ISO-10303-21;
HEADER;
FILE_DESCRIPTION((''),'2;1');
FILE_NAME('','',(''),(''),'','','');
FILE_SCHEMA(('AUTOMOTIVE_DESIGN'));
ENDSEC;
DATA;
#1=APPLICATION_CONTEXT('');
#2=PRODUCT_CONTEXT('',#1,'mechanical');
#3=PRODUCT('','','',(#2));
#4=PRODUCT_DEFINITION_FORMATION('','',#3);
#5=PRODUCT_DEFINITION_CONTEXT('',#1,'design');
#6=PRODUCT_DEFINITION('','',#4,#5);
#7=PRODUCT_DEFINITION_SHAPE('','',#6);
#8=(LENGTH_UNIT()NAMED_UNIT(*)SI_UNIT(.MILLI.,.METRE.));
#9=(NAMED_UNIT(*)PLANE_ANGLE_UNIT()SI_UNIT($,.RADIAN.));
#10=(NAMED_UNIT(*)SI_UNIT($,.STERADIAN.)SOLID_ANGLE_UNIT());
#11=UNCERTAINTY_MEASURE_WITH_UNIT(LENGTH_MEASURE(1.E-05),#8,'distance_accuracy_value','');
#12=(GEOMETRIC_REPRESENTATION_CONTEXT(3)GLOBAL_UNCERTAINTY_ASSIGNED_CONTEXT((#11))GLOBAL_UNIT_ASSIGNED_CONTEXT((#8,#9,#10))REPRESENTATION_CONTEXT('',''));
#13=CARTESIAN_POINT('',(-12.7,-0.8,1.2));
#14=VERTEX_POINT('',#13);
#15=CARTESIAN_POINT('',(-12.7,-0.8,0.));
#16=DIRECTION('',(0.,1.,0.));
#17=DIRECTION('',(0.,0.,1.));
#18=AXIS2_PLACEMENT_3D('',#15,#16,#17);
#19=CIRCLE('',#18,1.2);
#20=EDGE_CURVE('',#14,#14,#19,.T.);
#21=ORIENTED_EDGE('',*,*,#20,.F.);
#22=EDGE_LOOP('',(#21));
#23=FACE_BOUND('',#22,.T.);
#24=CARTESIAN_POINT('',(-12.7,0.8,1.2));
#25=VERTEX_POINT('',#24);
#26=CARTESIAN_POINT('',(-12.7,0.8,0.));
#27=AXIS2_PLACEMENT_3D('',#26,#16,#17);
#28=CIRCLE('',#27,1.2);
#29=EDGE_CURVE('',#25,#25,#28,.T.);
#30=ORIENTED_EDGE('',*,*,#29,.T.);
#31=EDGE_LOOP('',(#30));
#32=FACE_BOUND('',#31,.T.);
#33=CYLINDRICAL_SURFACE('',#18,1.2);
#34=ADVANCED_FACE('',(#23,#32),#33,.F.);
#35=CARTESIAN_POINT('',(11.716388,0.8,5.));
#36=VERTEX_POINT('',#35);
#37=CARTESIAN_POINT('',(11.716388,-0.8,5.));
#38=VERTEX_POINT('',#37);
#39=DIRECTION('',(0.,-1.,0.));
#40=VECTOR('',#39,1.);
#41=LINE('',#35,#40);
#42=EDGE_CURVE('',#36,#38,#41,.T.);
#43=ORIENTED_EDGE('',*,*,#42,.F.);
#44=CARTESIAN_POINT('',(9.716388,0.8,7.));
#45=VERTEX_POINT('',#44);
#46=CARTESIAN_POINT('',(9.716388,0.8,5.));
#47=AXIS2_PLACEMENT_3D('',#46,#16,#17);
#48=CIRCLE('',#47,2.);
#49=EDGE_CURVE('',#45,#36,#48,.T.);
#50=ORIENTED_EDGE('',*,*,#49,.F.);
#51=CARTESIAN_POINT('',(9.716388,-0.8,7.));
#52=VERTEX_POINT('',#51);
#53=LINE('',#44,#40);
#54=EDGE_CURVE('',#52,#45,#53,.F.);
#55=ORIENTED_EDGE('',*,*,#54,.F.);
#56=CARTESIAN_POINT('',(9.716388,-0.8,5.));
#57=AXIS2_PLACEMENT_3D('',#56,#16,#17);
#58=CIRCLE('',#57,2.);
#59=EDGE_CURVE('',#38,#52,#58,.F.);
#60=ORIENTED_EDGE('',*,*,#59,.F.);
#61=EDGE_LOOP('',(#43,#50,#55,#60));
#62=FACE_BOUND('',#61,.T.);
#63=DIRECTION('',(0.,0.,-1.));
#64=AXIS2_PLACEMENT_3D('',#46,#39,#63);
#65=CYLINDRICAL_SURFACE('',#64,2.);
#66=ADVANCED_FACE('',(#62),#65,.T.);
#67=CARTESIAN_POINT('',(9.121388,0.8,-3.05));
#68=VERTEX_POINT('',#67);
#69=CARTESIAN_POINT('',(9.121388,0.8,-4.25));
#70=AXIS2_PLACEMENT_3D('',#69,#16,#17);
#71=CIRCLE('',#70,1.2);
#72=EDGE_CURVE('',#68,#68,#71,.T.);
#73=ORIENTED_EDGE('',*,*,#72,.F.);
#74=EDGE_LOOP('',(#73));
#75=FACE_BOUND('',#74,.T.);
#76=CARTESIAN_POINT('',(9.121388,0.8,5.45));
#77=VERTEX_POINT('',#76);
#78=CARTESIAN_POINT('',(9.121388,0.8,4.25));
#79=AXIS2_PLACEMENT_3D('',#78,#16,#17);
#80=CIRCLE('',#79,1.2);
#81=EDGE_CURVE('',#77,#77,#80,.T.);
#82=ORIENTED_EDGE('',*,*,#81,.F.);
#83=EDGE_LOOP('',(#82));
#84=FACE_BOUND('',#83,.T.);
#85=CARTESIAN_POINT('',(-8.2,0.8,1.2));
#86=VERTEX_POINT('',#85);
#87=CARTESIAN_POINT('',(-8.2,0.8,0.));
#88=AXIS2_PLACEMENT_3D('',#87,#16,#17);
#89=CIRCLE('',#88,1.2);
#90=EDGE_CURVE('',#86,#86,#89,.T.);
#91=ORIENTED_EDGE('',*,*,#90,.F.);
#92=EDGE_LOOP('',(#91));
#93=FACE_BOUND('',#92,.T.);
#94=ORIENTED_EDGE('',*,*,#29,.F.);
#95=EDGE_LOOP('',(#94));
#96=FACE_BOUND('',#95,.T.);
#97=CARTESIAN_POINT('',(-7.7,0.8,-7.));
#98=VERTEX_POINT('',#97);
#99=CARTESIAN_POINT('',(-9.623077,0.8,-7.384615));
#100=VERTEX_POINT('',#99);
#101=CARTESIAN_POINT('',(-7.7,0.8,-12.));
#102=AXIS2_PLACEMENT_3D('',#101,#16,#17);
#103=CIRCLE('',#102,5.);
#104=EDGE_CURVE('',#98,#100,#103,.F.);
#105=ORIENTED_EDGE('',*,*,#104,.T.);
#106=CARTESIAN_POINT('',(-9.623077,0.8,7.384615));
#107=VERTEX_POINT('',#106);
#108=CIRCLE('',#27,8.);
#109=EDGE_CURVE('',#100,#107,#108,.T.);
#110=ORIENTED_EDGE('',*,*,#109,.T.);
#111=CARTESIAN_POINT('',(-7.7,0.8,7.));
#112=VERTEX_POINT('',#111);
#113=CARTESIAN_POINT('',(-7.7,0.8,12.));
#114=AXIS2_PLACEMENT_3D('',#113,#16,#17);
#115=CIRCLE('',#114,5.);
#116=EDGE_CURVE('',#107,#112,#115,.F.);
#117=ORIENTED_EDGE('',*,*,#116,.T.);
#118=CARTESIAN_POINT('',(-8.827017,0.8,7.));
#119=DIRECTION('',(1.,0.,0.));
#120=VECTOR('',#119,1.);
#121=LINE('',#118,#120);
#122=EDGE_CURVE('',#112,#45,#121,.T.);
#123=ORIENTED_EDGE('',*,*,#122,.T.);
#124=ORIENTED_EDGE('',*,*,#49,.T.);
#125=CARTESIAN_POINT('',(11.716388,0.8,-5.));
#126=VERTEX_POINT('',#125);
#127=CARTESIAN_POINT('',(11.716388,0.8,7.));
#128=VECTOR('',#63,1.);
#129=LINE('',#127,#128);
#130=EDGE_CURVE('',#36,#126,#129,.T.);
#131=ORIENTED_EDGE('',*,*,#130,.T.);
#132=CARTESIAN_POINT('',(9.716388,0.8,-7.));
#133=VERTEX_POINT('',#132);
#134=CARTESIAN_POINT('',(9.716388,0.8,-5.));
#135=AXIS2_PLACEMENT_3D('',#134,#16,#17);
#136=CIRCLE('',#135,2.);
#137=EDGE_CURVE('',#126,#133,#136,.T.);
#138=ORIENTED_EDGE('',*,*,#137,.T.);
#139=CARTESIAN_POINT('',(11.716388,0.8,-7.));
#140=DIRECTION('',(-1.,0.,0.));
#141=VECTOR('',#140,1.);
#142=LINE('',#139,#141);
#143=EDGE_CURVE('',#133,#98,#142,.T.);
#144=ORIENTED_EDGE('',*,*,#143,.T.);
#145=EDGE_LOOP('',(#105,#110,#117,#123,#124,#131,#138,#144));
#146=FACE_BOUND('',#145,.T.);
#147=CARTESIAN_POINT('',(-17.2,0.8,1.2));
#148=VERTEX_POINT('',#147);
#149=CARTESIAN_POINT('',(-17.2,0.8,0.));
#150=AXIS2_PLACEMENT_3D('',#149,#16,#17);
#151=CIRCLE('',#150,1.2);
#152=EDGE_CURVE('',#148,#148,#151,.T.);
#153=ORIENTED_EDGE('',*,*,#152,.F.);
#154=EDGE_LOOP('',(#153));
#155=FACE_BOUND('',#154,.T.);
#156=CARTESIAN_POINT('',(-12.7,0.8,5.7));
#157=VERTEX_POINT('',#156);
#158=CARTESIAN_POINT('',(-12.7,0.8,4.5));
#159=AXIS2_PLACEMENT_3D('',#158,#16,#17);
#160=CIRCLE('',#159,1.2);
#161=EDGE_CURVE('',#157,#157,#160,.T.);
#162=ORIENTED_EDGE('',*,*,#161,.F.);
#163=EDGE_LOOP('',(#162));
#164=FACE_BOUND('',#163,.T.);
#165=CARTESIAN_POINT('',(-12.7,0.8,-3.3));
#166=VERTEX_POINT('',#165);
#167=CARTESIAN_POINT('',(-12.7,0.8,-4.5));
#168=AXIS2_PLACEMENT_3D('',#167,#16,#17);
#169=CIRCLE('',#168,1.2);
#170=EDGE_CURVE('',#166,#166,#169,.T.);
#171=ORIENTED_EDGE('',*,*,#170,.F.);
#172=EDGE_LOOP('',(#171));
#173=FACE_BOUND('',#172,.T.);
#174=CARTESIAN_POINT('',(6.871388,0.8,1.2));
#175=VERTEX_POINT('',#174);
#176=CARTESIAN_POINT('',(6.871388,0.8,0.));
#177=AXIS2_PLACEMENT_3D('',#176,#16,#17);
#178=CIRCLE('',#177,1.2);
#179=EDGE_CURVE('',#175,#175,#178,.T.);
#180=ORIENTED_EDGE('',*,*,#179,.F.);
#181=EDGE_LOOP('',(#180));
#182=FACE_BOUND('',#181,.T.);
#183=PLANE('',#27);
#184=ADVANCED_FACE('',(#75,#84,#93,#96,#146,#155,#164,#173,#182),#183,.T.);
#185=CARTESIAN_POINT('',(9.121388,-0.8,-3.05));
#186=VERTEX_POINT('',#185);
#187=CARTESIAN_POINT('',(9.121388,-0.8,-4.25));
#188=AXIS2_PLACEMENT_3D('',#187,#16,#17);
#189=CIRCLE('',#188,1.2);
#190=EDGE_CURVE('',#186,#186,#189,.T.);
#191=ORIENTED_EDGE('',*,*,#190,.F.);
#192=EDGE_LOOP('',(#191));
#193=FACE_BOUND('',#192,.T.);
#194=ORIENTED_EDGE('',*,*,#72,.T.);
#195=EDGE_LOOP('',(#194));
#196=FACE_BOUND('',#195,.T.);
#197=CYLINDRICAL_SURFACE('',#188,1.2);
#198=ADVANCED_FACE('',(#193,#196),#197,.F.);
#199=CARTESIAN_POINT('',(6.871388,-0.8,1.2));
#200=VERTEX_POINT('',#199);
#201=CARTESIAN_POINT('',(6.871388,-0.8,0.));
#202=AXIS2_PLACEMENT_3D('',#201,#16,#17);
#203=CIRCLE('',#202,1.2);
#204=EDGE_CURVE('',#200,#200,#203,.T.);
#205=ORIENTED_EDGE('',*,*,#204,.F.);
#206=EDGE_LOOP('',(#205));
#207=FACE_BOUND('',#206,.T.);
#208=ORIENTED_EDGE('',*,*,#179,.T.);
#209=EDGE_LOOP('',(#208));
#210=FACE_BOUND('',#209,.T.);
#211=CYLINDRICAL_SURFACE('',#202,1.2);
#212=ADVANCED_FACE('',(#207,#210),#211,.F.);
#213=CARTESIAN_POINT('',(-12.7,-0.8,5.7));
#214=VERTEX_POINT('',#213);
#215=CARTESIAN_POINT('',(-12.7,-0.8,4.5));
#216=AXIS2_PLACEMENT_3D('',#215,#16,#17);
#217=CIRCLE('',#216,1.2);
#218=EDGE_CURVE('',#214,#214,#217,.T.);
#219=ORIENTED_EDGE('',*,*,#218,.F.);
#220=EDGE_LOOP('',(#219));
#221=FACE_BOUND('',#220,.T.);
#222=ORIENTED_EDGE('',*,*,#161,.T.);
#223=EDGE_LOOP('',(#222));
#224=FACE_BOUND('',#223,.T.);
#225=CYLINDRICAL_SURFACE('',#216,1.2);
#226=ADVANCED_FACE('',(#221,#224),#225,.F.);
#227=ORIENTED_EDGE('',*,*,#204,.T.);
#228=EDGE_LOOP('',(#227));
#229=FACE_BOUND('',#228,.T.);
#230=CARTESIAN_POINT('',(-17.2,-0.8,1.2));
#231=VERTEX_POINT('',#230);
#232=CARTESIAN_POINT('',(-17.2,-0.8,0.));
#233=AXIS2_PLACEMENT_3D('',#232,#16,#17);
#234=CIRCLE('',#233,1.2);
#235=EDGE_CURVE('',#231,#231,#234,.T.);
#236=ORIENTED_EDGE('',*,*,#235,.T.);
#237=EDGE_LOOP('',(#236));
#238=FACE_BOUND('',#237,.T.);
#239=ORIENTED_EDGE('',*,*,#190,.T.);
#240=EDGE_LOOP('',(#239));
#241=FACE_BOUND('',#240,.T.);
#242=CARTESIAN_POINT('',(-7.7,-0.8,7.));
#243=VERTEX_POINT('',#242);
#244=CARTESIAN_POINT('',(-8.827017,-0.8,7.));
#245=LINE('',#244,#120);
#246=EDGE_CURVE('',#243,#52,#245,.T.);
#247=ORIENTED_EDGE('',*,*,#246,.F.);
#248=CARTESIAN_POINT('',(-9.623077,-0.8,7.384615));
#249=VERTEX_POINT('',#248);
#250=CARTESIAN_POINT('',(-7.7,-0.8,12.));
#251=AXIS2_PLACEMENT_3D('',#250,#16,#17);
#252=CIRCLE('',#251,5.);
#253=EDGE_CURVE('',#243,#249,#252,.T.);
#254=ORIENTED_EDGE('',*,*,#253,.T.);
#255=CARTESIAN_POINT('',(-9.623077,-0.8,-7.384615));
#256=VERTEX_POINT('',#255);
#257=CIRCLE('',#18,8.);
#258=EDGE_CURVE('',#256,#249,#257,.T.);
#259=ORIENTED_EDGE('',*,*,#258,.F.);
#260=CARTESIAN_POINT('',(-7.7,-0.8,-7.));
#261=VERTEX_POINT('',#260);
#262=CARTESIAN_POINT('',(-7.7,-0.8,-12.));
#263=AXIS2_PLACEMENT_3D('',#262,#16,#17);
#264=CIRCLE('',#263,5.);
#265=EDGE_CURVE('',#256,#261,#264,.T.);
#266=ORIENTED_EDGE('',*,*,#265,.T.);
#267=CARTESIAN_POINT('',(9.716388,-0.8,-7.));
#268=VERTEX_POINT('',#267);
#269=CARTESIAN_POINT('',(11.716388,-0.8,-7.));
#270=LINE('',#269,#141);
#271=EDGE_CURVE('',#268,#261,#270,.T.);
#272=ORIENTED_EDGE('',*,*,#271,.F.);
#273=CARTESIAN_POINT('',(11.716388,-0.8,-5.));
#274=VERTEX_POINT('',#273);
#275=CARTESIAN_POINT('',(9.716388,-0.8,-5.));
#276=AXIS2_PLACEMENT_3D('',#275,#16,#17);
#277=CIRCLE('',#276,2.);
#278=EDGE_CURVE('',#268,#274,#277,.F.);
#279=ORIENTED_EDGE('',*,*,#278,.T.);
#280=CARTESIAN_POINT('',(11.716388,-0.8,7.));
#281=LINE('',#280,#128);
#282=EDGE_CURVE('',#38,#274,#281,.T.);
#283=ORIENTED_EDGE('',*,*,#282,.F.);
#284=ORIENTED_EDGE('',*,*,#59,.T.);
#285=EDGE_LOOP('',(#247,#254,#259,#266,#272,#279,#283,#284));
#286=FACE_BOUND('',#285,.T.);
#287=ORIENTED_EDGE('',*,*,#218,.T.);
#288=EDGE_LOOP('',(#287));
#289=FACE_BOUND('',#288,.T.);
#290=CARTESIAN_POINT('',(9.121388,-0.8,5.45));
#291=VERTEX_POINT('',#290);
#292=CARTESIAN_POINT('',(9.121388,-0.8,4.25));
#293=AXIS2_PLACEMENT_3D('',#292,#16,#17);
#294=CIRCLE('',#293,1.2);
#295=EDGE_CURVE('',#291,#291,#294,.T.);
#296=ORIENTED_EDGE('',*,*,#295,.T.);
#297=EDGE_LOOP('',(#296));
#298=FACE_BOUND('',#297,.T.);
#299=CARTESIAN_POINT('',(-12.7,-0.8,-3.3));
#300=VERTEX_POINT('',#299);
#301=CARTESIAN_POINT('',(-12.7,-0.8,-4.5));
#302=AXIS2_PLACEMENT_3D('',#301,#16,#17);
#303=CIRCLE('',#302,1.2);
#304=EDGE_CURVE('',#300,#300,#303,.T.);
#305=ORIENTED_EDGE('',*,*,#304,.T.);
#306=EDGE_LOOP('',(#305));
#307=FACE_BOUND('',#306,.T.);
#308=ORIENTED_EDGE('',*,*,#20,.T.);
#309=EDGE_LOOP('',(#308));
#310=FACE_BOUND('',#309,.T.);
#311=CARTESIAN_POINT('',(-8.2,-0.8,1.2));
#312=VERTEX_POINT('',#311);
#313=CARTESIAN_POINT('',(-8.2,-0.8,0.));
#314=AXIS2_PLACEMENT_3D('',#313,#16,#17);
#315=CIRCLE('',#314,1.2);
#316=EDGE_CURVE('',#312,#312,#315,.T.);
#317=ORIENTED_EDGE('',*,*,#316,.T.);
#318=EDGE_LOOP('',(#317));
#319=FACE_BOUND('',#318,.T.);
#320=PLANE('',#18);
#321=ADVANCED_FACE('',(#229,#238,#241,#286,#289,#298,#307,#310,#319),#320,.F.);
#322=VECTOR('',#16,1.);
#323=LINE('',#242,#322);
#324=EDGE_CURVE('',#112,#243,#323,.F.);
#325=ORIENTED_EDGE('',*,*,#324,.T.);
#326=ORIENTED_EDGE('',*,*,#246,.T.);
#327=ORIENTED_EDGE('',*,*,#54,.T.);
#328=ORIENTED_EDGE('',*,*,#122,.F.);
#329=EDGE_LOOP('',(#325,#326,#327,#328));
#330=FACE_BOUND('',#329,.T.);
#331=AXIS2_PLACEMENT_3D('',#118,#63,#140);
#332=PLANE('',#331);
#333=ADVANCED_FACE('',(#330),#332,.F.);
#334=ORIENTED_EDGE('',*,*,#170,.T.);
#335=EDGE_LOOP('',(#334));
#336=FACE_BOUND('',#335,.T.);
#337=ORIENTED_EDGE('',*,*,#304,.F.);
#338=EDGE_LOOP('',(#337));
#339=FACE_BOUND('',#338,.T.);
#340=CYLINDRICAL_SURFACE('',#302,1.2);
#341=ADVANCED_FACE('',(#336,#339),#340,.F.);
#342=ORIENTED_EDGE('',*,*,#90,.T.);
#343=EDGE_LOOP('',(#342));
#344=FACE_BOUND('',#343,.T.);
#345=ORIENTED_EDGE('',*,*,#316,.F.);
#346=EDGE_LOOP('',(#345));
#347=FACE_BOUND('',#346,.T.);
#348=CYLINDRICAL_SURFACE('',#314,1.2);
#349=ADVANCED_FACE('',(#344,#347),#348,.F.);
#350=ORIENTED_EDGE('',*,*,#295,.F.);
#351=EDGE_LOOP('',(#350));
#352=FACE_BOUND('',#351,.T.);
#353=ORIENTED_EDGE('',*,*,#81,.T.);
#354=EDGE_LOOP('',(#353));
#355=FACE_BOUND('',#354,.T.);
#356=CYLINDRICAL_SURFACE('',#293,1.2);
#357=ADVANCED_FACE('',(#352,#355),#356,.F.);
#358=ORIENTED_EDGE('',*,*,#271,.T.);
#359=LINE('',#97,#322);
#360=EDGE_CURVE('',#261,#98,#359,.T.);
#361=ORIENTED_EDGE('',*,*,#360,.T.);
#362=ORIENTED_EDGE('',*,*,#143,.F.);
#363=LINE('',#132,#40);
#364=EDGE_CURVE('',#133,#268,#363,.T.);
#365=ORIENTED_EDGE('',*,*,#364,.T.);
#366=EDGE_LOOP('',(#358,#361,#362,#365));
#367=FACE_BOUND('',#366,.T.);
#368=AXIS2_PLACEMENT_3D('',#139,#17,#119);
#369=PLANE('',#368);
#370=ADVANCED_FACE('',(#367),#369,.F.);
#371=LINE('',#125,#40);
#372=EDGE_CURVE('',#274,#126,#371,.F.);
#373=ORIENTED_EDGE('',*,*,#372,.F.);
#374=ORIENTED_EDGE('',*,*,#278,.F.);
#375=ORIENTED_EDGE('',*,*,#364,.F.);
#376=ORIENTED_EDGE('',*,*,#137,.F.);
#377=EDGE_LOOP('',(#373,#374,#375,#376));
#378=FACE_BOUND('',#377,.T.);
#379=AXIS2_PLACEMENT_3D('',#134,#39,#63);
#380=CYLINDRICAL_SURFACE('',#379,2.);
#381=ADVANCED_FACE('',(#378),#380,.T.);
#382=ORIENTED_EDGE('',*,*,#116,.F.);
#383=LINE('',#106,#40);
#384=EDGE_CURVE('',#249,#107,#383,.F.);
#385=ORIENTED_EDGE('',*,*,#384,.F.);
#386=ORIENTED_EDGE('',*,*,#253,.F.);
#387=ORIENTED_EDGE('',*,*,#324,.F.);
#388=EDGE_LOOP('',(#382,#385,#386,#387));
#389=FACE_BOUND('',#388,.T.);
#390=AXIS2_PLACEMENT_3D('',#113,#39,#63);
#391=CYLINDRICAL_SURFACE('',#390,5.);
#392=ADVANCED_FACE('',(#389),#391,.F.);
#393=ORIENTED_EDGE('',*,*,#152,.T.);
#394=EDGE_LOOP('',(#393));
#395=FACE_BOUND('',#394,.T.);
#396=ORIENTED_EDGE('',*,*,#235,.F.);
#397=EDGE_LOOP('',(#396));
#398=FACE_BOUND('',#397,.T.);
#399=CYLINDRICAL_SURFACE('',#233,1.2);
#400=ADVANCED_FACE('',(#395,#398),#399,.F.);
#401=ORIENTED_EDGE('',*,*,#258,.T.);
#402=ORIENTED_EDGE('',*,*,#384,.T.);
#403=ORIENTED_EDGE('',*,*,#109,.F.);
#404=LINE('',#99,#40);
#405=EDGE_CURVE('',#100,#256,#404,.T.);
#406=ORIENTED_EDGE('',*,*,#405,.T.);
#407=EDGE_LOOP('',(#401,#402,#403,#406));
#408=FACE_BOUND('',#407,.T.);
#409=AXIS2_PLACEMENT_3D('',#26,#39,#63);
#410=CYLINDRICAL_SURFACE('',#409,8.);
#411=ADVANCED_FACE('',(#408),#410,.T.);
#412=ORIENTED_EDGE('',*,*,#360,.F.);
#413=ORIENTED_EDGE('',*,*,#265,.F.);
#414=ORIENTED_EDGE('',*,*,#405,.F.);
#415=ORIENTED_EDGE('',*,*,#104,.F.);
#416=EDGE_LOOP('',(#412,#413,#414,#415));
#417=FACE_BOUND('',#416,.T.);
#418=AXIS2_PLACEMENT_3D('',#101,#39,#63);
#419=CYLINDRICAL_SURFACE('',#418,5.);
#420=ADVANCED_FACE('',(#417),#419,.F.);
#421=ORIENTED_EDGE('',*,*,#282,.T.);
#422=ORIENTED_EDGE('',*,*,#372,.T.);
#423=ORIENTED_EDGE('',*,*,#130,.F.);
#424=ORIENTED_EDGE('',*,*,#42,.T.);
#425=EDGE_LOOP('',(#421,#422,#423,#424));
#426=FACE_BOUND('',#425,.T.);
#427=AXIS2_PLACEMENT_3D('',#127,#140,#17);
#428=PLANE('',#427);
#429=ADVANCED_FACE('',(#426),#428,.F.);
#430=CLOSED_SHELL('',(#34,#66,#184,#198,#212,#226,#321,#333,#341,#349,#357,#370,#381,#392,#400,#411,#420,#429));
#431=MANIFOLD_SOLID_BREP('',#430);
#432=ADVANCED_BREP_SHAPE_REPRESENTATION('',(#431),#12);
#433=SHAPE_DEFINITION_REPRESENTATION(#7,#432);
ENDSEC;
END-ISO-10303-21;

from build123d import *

# Parameters (mm, degrees)
BOSS_EXTRUDE1_DEPTH = 0.8
FILLET1_R           = 2
FILLET2_R           = 5
SKETCH2_R           = 1.2
CUT_EXTRUDE1_DEPTH  = 23.249719099
SKETCH3_R           = 1.2
CUT_EXTRUDE2_DEPTH  = 23.249719099


with BuildPart() as part:
    # Sketch1 → Boss-Extrude1 (new, symmetric)
    with BuildSketch(Plane(origin=(0, 0, 0), x_dir=(1, 0, 0), z_dir=(0, 1, 0))):
        with BuildLine():
            Line((11.716387939, 7), (-8.827016654, 7))
            ThreePointArc((-8.827016654, 7), (-20.7, 0), (-8.827016654, -7))
            Line((-8.827016654, -7), (11.716387939, -7))
            Line((11.716387939, -7), (11.716387939, 7))
        make_face()
    extrude(amount=BOSS_EXTRUDE1_DEPTH, both=True)

    # Fillet1
    fillet1_edges = [part.edges().sort_by_distance(p)[0] for p in [
        (11.716387939, 0, 7),
        (11.716387939, 0, -7),
    ]]
    fillet(fillet1_edges, radius=FILLET1_R)

    # Fillet2
    fillet2_edges = [part.edges().sort_by_distance(p)[0] for p in [
        (-8.827016654, 0, 7),
        (-8.827016654, 0, -7),
    ]]
    fillet(fillet2_edges, radius=FILLET2_R)

    # Sketch2 → Cut-Extrude1 (cut, through all)
    with BuildSketch(Plane(origin=(0, 0.8, 0), x_dir=(1, 0, 0), z_dir=(0, 1, 0))):
        with Locations(Location((-8.2, 0, 0), (0, 0, 270))):
            Circle(SKETCH2_R)
        with Locations(Location((-12.7, 4.5, 0), (0, 0, 270))):
            Circle(SKETCH2_R)
        with Locations(Location((-17.2, 0, 0), (0, 0, 270))):
            Circle(SKETCH2_R)
        with Locations(Location((-12.7, -4.5, 0), (0, 0, 270))):
            Circle(SKETCH2_R)
        with Locations(Location((-12.7, 0, 0), (0, 0, 270))):
            Circle(SKETCH2_R)
    extrude(amount=-CUT_EXTRUDE1_DEPTH, mode=Mode.SUBTRACT)

    # Sketch3 → Cut-Extrude2 (cut, through all)
    with BuildSketch(Plane(origin=(0, 0.8, 0), x_dir=(1, 0, 0), z_dir=(0, 1, 0))):
        with Locations(Location((9.121387939, 4.25, 0), (0, 0, 270))):
            Circle(SKETCH3_R)
        with Locations(Location((9.121387939, -4.25, 0), (0, 0, 270))):
            Circle(SKETCH3_R)
        with Locations(Location((6.871387939, 0, 0), (0, 0, 270))):
            Circle(SKETCH3_R)
    extrude(amount=-CUT_EXTRUDE2_DEPTH, mode=Mode.SUBTRACT)


solid = part.part
